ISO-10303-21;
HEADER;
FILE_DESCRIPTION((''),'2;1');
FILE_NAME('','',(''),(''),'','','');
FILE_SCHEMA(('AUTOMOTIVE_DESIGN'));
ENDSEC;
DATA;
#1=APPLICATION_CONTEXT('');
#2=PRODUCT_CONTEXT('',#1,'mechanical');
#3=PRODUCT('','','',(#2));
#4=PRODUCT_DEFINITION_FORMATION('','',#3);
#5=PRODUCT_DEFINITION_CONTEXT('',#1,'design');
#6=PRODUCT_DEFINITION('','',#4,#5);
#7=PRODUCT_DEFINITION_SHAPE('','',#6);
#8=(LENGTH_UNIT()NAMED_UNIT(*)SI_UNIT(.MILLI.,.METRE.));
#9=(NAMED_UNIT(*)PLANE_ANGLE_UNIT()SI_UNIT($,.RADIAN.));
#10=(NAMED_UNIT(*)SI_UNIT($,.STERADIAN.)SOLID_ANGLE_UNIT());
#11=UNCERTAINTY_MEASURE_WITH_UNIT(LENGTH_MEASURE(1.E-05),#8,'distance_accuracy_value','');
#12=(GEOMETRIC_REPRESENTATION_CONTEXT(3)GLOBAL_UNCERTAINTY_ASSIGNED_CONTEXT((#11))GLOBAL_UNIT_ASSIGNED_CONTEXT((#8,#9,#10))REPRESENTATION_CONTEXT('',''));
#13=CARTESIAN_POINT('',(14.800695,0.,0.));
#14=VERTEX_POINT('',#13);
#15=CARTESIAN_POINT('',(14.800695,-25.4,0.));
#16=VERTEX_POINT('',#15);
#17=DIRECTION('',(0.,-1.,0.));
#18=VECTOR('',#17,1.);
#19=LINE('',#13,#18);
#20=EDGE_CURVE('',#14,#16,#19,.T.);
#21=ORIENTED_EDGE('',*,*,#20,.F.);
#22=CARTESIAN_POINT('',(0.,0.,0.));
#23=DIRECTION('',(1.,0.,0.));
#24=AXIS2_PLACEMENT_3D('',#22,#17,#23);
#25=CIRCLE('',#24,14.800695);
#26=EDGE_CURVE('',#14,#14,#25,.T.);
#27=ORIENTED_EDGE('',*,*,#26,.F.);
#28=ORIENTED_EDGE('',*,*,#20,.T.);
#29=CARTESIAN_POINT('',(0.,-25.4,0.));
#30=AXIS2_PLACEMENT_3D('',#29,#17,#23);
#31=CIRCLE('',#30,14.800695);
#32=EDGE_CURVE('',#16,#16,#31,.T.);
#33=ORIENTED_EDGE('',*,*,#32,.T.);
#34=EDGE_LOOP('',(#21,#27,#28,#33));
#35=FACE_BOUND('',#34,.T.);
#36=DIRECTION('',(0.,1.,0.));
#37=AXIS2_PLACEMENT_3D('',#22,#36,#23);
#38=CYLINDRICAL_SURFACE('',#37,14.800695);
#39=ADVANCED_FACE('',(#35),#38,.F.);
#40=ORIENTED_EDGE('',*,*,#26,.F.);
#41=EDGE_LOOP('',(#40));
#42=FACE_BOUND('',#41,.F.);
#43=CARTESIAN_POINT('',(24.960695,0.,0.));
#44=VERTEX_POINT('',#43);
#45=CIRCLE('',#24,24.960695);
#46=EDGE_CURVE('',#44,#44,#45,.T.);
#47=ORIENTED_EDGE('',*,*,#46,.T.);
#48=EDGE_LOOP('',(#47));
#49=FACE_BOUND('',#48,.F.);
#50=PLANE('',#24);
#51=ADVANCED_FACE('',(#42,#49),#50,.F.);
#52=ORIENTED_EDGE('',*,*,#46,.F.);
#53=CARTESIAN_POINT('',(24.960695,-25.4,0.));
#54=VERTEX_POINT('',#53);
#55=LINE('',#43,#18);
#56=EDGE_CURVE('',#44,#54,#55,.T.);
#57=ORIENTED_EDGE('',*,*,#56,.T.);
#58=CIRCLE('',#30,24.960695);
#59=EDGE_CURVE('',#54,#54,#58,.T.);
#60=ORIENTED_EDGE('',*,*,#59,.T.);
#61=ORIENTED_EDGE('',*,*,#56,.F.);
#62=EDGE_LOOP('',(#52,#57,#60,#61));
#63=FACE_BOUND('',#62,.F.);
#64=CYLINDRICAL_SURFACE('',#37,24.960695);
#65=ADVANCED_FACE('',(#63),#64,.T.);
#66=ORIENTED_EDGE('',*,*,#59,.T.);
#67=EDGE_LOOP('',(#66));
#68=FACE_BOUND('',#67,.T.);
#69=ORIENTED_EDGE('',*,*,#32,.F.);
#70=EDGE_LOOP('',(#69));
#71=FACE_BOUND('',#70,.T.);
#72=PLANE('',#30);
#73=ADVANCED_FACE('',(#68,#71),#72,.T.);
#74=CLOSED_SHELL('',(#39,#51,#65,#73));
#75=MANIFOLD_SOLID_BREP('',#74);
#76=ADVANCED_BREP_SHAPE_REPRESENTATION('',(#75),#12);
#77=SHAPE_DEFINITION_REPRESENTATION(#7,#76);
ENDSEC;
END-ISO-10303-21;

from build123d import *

# Parameters (mm, degrees)
F0_R     = 24.960695
F0_R_2   = 14.800695
F1_DEPTH = 25.4
F2_R     = 5.895959
F2_R_2   = 2.78156
F3_DEPTH = 25.4


with BuildPart() as f1:
    # F0 (on Front) → F1 (new body)
    with BuildSketch(Plane.XZ):
        Circle(F0_R)
        Circle(F0_R_2, mode=Mode.SUBTRACT)
    extrude(amount=F1_DEPTH)

    # F2 (on Front) → F3 (cut)
    with BuildSketch(Plane.XZ):
        Circle(F2_R)
        Circle(F2_R_2, mode=Mode.SUBTRACT)
    extrude(amount=-F3_DEPTH, mode=Mode.SUBTRACT)


solid = f1.part
